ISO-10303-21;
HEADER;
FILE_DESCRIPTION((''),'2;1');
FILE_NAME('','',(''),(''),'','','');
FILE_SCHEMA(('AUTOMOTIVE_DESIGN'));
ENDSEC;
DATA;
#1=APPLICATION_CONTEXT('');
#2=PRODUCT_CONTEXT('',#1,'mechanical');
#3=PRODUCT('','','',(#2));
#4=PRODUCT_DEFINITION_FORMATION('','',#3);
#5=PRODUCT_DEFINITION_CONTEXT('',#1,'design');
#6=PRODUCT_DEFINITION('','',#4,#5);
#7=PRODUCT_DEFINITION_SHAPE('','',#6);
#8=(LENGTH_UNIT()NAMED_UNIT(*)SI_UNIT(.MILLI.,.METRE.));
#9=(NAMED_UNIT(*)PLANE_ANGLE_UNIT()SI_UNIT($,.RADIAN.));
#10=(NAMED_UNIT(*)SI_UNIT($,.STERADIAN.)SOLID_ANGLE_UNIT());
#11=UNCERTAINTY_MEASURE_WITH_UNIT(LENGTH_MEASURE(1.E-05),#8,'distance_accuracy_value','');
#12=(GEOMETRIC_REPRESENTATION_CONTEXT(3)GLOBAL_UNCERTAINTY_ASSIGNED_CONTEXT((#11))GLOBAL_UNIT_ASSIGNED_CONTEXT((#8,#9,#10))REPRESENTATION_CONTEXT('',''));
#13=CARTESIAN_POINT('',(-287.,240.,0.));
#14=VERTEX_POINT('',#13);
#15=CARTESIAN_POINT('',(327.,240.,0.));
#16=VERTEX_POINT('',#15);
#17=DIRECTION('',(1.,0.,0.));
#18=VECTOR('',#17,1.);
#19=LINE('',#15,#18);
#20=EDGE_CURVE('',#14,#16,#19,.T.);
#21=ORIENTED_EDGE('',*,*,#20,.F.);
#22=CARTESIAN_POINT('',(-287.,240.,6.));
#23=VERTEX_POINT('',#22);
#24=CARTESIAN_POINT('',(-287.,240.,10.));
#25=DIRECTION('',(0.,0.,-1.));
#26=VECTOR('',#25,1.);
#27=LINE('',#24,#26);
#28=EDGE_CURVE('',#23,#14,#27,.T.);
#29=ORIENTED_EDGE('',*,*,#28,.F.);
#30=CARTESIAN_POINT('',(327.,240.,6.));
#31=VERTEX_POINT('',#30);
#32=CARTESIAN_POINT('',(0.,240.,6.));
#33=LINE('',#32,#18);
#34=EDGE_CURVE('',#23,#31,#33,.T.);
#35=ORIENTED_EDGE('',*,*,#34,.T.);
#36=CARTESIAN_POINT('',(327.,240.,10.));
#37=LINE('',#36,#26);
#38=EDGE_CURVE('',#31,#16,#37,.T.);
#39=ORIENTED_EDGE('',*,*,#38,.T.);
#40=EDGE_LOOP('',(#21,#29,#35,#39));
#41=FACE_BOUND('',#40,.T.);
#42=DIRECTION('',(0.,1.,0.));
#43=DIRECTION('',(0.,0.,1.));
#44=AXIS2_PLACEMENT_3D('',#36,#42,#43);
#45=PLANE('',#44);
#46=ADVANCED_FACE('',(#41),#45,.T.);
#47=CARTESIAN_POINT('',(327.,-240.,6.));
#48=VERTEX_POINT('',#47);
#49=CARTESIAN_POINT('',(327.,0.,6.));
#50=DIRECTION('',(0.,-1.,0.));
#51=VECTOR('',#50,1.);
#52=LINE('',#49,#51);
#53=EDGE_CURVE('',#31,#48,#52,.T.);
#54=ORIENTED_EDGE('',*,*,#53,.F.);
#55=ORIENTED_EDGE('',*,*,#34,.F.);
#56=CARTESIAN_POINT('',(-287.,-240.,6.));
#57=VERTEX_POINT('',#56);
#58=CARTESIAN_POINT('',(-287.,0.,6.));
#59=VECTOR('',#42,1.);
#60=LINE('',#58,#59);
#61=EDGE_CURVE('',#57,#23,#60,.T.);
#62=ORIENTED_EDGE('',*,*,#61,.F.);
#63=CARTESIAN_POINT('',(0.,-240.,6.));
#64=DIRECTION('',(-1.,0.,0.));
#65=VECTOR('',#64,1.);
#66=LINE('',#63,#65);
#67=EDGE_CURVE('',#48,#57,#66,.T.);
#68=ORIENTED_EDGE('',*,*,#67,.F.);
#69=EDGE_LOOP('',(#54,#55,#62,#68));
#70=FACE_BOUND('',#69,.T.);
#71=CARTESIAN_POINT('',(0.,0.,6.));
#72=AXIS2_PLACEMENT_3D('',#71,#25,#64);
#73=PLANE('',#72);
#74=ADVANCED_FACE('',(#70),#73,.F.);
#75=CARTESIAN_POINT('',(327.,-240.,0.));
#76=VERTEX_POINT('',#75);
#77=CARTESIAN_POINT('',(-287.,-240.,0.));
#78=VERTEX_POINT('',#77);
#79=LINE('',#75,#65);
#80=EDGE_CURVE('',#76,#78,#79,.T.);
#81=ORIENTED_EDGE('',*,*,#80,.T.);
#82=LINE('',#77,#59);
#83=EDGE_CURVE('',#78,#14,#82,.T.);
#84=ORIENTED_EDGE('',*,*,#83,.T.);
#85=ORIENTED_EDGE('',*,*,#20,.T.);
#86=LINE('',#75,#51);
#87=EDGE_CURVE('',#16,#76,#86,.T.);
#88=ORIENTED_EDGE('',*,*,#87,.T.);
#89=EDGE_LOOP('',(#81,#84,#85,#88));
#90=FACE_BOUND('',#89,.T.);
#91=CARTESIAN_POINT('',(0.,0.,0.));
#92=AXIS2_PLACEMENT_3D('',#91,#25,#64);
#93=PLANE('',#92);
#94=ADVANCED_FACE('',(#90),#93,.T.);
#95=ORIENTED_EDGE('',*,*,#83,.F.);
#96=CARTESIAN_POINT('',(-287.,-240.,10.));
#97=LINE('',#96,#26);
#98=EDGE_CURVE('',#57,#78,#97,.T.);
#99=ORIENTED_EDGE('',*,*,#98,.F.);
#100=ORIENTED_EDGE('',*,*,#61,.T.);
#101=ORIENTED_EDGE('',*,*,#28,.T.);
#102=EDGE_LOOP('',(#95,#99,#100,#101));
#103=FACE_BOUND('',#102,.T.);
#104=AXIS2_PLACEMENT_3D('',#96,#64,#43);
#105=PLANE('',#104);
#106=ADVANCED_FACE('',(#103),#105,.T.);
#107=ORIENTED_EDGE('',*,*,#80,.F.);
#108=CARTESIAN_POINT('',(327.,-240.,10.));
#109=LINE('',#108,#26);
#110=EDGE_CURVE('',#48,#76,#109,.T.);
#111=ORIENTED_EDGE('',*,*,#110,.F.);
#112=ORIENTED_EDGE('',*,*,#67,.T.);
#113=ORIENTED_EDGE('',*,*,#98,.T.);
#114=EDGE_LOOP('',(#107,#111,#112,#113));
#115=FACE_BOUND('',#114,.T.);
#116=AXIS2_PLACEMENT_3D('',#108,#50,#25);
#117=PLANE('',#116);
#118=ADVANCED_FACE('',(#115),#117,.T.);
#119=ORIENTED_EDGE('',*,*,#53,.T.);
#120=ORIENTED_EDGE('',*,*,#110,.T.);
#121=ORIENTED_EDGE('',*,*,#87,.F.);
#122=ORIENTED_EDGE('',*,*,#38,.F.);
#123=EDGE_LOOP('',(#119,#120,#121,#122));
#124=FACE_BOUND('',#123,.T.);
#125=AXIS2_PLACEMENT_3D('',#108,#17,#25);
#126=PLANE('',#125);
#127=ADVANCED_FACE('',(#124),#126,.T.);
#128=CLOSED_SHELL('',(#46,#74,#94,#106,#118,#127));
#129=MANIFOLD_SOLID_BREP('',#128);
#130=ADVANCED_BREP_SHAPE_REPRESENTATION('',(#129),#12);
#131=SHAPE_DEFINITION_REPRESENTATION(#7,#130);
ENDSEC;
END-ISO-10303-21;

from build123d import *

# Parameters (mm, degrees)
SKETCH1_W           = 700
SKETCH1_H           = 588
BOSS_EXTRUDE1_DEPTH = 6
FILLET1_R           = 20
SKETCH3_W           = 831.612655864
SKETCH3_H           = 634.364017828
SKETCH3_W_2         = 614
SKETCH3_H_2         = 480
CUT_EXTRUDE2_DEPTH  = 10


with BuildPart() as part:
    # Sketch1 → Boss-Extrude1 (new body)
    with BuildSketch(Plane.XY):
        Rectangle(SKETCH1_W, SKETCH1_H)
    extrude(amount=BOSS_EXTRUDE1_DEPTH)

    # Fillet1
    fillet1_edges = [part.edges().sort_by_distance(p)[0] for p in [
        (350, -294, 3),
        (-350, -294, 3),
        (-350, 294, 3),
        (350, 294, 3),
    ]]
    fillet(fillet1_edges, radius=FILLET1_R)

    # Sketch3 → Cut-Extrude2 (cut)
    with BuildSketch(Plane(origin=(0, 0, 0), x_dir=(-1, 0, 0), z_dir=(0, 0, -1))):
        with Locations((-20, 0)):
            Rectangle(SKETCH3_W, SKETCH3_H)
        with Locations((-20, 0)):
            Rectangle(SKETCH3_W_2, SKETCH3_H_2, mode=Mode.SUBTRACT)
    extrude(amount=-CUT_EXTRUDE2_DEPTH, mode=Mode.SUBTRACT)


solid = part.part
